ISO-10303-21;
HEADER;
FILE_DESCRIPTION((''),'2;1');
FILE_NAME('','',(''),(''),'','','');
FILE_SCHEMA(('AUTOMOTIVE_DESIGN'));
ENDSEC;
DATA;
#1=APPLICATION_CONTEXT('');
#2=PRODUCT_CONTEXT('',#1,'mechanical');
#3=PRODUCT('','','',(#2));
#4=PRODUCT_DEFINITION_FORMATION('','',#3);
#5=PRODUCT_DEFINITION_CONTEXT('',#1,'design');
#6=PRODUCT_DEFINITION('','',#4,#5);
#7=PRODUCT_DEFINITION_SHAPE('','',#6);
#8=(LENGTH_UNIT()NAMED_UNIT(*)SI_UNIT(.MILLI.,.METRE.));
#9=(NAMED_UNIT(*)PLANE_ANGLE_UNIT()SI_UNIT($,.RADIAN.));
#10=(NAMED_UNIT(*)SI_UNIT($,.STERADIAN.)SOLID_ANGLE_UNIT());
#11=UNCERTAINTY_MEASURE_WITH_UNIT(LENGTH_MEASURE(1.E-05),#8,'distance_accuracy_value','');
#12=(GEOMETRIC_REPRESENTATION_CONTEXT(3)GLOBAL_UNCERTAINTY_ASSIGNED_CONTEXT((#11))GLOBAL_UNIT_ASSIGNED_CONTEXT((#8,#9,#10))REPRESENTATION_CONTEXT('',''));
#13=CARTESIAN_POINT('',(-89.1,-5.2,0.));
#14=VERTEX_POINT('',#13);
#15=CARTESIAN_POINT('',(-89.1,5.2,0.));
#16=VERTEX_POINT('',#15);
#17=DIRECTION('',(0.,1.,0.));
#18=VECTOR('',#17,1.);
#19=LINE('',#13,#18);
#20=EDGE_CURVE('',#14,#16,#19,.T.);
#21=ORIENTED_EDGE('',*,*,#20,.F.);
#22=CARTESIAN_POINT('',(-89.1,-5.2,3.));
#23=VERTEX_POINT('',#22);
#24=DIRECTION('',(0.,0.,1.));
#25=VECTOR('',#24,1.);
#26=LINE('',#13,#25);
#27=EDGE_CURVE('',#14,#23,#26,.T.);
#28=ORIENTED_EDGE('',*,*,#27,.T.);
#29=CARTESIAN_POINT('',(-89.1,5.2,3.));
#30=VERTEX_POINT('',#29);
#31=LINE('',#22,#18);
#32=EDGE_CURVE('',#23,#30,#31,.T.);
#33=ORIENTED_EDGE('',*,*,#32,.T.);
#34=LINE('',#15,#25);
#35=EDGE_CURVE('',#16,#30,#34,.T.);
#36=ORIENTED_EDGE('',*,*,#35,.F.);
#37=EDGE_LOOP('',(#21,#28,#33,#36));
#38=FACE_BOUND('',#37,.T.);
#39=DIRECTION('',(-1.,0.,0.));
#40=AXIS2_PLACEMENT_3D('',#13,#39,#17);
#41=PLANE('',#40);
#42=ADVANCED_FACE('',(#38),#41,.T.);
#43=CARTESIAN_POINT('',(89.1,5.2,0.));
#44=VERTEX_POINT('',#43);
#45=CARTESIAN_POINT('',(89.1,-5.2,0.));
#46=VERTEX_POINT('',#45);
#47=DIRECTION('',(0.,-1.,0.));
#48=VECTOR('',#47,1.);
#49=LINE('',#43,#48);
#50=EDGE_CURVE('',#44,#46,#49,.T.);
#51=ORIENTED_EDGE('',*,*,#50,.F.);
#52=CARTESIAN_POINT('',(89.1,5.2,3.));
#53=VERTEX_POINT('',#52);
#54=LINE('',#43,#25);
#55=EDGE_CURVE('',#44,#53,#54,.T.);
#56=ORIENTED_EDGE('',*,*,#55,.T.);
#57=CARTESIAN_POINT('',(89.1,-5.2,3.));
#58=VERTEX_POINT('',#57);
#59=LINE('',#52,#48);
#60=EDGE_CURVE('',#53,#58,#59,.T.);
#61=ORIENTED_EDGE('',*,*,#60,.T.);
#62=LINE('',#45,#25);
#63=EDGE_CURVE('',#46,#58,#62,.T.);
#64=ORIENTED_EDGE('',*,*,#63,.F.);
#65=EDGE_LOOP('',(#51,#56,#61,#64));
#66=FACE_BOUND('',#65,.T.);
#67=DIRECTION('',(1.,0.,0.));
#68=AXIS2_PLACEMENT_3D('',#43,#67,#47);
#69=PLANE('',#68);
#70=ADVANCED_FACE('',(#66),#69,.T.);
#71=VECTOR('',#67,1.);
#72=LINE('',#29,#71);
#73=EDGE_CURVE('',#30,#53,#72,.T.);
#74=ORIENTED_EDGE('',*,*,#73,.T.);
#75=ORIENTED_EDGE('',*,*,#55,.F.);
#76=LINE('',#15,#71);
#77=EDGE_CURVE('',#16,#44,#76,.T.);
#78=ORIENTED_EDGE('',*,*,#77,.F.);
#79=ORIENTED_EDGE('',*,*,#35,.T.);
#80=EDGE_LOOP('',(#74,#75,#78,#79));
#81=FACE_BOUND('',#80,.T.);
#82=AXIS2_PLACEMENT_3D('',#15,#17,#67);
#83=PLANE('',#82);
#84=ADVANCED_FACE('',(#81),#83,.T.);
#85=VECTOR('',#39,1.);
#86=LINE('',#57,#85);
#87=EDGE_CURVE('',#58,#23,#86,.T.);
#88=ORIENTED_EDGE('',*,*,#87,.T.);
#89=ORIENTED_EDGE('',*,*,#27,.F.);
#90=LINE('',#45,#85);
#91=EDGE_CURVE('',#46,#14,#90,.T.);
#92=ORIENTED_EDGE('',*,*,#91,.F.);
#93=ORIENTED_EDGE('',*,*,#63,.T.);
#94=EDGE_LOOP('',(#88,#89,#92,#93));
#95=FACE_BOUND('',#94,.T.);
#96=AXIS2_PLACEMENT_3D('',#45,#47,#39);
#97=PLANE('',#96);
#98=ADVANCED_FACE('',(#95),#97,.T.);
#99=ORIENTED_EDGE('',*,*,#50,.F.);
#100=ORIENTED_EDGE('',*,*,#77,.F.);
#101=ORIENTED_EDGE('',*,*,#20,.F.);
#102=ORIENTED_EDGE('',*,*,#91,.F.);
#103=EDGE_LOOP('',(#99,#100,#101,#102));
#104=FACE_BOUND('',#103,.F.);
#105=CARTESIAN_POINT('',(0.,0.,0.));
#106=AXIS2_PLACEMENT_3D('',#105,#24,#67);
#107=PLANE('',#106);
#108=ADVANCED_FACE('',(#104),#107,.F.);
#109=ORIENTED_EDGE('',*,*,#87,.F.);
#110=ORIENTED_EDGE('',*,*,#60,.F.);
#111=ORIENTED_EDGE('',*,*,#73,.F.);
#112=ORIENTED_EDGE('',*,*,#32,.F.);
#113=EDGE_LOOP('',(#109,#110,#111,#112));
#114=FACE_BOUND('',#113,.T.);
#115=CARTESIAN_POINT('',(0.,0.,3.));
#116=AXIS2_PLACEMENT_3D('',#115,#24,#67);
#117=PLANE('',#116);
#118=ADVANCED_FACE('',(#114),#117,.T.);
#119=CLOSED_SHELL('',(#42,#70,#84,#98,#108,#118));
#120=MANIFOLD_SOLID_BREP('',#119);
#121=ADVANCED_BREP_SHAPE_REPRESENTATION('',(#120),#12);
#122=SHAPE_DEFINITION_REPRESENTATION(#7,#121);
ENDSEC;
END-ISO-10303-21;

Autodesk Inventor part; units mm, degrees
ref_plane "YZ Plane" through (0, 0, 0) normal (1, 0, 0) x (0, 1, 0)
ref_plane "XZ Plane" through (0, 0, 0) normal (0, 1, 0) x (-1, 0, 0)
ref_plane "XY Plane" through (0, 0, 0) normal (0, 0, 1) x (1, 0, 0)
sketch "Sketch1" plane through (0, 0, 0) normal (0, 0, 1) x (1, 0, 0)
  line L0 (89.1, -5.2) -> (-89.1, -5.2)
  line L1 (-89.1, -5.2) -> (-89.1, 5.2)
  line L2 (-89.1, 5.2) -> (89.1, 5.2)
  line L3 (89.1, 5.2) -> (89.1, -5.2)
  line L4 (89.1, -5.2) -> (-89.1, 5.2) construction
  line L5 (-89.1, -5.2) -> (89.1, 5.2) construction
  point P0 (0, 0)
  dimension "d0" = 10.4
  dimension "d1" = 178.2
extrude "Extrusion1" add sketch "Sketch1" along normal blind 3
properties part number "Front"
